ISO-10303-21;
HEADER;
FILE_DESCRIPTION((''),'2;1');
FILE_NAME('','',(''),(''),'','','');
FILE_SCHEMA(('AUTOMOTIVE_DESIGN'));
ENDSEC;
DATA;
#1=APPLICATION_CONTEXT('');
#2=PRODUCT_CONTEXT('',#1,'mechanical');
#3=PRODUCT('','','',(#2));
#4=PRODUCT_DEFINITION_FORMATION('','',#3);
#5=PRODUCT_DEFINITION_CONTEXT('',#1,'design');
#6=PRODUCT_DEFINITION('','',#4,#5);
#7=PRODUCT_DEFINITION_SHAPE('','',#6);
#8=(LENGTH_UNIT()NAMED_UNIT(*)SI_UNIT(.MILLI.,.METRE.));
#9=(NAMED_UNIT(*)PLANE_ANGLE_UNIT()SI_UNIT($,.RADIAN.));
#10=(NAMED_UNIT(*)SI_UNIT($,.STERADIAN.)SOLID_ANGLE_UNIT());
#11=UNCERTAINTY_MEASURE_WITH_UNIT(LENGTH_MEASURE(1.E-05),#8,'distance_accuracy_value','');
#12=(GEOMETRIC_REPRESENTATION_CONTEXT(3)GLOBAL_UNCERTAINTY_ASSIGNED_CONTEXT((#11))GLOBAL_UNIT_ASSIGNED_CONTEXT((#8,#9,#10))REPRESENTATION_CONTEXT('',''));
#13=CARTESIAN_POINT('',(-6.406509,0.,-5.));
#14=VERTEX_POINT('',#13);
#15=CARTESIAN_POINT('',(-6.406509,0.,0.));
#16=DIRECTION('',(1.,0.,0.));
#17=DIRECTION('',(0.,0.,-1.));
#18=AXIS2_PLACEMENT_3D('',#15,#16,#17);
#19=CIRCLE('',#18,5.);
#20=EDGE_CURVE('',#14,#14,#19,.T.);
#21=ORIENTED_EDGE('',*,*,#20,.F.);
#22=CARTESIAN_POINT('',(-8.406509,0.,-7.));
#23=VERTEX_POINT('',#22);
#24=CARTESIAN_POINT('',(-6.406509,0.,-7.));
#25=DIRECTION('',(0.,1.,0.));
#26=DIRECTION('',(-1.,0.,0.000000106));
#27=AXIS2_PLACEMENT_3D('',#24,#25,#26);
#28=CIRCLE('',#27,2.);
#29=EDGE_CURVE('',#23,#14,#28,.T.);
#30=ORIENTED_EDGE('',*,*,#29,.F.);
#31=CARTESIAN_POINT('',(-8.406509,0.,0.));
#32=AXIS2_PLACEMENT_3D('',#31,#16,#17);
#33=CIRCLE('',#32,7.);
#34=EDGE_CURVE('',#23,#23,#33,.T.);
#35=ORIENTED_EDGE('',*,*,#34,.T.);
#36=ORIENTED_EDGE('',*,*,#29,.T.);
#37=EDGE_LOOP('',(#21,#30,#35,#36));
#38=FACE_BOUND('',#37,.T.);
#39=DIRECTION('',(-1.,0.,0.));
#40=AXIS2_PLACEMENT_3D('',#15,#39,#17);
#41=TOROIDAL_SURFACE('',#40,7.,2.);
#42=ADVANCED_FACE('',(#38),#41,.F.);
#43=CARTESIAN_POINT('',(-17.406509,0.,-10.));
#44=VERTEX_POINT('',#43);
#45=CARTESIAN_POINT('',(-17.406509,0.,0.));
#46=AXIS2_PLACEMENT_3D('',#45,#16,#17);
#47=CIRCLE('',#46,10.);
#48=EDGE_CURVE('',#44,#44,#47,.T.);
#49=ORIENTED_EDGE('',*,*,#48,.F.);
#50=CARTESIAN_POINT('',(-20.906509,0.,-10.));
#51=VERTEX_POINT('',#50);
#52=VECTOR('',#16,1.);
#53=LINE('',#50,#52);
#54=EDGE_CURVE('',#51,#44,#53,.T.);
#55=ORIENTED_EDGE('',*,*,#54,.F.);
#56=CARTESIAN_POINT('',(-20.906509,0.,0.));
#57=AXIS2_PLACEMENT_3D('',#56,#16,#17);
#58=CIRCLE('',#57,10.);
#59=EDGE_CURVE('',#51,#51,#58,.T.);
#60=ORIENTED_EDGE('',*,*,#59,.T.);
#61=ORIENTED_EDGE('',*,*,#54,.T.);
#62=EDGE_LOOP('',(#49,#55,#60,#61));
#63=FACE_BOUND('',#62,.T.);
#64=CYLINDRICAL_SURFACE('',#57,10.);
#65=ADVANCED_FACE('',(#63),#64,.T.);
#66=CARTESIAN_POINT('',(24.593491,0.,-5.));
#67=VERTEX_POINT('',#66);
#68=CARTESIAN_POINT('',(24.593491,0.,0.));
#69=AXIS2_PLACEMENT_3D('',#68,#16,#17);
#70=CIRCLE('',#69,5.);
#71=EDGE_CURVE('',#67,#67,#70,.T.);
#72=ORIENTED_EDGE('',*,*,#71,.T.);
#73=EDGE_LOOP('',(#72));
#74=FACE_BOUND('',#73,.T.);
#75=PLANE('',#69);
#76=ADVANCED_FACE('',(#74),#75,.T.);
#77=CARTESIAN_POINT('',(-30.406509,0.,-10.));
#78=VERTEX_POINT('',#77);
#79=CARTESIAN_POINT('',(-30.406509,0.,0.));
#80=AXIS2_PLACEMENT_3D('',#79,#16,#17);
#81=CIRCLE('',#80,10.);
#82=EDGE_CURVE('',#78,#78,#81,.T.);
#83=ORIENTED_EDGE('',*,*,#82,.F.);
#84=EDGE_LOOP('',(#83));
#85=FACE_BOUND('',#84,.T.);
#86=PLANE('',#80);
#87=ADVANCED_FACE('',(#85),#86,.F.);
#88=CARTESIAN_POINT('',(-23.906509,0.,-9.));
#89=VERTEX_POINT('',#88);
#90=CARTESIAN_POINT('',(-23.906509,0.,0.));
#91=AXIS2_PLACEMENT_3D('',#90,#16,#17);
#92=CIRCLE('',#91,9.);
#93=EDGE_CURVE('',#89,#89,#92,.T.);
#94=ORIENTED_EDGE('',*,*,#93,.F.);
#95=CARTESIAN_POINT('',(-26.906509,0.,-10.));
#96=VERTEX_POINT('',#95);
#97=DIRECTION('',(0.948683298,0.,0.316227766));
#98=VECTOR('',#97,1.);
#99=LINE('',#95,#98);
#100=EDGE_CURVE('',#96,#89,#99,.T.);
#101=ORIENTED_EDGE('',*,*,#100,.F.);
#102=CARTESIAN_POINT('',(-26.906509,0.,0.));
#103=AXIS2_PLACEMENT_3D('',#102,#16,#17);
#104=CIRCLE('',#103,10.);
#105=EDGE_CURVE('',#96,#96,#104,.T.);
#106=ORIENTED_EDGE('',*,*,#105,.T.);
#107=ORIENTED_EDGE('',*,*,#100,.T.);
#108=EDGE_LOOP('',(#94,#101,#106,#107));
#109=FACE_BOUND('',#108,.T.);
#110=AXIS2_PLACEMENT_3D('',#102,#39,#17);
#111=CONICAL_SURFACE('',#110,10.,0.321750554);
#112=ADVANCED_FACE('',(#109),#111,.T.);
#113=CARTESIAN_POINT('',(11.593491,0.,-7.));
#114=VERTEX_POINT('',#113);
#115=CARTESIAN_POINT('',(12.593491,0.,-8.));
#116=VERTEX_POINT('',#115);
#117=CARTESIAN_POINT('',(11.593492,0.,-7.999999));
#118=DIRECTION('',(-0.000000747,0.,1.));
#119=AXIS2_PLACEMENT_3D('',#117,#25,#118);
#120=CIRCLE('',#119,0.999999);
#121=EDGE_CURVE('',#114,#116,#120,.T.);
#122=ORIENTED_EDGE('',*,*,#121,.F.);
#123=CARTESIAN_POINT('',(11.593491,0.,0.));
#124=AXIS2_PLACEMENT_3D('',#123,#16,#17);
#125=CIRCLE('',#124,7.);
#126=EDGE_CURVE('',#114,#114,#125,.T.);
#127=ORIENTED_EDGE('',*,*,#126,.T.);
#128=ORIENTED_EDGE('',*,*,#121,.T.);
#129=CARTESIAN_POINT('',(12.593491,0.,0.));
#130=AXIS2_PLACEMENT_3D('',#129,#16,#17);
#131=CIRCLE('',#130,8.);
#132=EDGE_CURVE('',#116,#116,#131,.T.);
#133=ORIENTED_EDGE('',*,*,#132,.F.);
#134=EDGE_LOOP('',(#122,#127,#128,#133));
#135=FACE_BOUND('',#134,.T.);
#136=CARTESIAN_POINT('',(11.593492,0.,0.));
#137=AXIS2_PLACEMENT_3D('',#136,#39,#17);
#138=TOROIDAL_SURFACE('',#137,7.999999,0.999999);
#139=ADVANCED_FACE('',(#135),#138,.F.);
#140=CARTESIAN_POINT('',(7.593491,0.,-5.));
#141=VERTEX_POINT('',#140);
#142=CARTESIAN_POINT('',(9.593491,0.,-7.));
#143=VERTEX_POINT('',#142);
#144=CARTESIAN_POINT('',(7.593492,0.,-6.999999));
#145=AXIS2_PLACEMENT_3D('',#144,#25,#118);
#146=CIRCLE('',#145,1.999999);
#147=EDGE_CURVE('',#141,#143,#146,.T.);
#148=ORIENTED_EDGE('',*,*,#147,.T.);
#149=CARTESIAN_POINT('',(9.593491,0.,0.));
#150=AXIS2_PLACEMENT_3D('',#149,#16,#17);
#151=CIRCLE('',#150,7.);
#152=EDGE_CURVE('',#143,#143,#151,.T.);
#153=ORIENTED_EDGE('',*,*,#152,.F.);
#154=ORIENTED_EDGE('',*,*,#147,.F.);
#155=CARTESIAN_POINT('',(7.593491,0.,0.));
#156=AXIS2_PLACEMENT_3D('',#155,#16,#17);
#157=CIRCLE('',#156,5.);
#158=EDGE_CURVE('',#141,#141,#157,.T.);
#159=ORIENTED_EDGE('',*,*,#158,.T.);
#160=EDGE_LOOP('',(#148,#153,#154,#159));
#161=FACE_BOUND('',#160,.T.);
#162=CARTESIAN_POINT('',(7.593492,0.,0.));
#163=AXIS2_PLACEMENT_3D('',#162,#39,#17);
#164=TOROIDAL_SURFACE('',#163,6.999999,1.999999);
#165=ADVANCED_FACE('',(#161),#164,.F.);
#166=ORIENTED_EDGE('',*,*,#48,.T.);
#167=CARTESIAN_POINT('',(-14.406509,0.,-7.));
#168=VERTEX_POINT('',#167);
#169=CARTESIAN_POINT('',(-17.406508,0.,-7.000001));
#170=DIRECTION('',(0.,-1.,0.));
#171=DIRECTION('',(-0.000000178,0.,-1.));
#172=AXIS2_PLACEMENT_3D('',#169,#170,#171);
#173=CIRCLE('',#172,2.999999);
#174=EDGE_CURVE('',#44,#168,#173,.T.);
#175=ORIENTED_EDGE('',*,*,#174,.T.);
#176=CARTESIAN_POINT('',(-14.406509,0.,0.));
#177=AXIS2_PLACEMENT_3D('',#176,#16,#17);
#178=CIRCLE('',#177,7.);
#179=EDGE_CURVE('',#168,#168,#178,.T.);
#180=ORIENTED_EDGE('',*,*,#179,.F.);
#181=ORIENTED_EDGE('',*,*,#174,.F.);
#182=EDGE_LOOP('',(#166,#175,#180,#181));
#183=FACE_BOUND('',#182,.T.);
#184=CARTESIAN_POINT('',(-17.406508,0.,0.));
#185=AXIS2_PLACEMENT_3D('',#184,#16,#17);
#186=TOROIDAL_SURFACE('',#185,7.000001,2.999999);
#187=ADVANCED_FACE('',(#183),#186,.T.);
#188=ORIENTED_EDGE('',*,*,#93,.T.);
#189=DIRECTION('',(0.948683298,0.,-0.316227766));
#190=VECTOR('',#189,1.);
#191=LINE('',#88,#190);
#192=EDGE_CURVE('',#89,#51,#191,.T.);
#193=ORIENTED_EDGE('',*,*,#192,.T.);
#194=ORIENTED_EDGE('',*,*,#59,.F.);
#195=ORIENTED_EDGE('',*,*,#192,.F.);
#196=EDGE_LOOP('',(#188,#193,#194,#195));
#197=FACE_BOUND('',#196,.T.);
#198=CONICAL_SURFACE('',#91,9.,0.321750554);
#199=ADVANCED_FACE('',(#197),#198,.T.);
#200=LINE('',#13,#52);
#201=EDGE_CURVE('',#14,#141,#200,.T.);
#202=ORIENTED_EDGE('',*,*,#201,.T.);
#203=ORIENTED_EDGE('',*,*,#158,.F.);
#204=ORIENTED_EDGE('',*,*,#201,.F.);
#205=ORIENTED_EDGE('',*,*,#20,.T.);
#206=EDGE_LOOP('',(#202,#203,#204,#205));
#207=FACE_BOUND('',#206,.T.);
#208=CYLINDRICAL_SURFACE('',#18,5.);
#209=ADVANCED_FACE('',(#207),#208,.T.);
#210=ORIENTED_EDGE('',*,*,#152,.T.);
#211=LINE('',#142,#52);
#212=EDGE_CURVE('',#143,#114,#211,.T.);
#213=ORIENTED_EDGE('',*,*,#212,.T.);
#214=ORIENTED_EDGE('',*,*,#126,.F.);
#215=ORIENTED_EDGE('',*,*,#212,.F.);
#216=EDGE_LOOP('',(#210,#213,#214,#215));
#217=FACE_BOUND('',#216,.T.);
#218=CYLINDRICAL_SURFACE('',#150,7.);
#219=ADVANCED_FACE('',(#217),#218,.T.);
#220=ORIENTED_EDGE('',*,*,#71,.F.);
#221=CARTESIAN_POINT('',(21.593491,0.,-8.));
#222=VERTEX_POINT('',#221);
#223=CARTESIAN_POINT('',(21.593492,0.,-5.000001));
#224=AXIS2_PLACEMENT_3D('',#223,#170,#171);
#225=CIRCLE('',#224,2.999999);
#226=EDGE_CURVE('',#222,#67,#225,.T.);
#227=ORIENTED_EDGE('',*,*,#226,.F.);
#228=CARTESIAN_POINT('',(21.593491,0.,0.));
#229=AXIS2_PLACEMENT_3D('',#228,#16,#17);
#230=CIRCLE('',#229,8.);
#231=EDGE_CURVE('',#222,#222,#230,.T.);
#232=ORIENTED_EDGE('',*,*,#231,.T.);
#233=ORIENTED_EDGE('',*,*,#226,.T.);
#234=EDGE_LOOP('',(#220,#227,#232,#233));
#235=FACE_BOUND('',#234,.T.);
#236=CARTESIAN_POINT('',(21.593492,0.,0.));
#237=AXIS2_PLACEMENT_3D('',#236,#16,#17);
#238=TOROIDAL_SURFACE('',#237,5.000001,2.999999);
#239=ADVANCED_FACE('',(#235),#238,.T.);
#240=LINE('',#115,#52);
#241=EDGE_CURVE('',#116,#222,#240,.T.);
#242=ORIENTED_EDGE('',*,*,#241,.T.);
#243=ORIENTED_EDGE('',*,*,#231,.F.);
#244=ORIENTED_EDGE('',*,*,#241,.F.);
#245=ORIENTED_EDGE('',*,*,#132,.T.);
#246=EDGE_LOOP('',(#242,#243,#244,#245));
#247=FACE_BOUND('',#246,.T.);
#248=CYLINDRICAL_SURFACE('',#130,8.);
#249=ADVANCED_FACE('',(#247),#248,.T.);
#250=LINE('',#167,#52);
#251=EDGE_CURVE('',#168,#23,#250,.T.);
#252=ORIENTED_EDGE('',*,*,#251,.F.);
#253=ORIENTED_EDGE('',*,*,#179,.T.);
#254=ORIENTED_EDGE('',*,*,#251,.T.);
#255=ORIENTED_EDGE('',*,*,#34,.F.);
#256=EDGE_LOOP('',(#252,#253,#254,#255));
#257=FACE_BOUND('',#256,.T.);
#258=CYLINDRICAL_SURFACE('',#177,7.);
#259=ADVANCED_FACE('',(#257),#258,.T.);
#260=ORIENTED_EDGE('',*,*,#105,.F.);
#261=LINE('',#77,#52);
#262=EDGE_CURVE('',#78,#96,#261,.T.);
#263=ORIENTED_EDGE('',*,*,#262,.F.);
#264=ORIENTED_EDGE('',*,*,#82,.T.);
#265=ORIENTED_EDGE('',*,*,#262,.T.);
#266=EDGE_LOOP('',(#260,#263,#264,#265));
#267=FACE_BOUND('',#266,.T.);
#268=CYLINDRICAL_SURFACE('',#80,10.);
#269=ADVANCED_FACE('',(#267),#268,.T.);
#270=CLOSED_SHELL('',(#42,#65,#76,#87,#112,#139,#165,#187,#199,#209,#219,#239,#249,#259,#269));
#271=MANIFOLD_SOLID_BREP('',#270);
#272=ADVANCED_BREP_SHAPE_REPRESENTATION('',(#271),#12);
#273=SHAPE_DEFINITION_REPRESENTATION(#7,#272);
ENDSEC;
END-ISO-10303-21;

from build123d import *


with BuildPart() as f1:
    # F0 (on Front) → F1 (revolve)
    with BuildSketch(Plane.XZ):
        with BuildLine():
            Line((24.593491, 0), (-30.406509, 0))
            Line((-30.406509, 0), (-30.406509, -10))
            Line((-30.406509, -10), (-26.906509, -10))
            Line((-26.906509, -10), (-23.906509, -9))
            Line((-23.906509, -9), (-20.906509, -10))
            Line((-20.906509, -10), (-17.406509, -10))
            ThreePointArc((-17.406509, -10), (-15.285188, -9.12132), (-14.406509, -7))
            Line((-14.406509, -7), (-8.406509, -7))
            ThreePointArc((-8.406509, -7), (-7.820722, -5.585786), (-6.406509, -5))
            Line((-6.406509, -5), (7.593491, -5))
            ThreePointArc((7.593491, -5), (9.007705, -5.585786), (9.593491, -7))
            Line((9.593491, -7), (11.593491, -7))
            ThreePointArc((11.593491, -7), (12.300598, -7.292893), (12.593491, -8))
            Line((12.593491, -8), (21.593491, -8))
            ThreePointArc((21.593491, -8), (23.714812, -7.12132), (24.593491, -5))
            Line((24.593491, -5), (24.593491, 0))
        make_face()
    revolve(axis=Axis((-6.507756, 0, 0), (1, 0, 0)))


solid = f1.part
